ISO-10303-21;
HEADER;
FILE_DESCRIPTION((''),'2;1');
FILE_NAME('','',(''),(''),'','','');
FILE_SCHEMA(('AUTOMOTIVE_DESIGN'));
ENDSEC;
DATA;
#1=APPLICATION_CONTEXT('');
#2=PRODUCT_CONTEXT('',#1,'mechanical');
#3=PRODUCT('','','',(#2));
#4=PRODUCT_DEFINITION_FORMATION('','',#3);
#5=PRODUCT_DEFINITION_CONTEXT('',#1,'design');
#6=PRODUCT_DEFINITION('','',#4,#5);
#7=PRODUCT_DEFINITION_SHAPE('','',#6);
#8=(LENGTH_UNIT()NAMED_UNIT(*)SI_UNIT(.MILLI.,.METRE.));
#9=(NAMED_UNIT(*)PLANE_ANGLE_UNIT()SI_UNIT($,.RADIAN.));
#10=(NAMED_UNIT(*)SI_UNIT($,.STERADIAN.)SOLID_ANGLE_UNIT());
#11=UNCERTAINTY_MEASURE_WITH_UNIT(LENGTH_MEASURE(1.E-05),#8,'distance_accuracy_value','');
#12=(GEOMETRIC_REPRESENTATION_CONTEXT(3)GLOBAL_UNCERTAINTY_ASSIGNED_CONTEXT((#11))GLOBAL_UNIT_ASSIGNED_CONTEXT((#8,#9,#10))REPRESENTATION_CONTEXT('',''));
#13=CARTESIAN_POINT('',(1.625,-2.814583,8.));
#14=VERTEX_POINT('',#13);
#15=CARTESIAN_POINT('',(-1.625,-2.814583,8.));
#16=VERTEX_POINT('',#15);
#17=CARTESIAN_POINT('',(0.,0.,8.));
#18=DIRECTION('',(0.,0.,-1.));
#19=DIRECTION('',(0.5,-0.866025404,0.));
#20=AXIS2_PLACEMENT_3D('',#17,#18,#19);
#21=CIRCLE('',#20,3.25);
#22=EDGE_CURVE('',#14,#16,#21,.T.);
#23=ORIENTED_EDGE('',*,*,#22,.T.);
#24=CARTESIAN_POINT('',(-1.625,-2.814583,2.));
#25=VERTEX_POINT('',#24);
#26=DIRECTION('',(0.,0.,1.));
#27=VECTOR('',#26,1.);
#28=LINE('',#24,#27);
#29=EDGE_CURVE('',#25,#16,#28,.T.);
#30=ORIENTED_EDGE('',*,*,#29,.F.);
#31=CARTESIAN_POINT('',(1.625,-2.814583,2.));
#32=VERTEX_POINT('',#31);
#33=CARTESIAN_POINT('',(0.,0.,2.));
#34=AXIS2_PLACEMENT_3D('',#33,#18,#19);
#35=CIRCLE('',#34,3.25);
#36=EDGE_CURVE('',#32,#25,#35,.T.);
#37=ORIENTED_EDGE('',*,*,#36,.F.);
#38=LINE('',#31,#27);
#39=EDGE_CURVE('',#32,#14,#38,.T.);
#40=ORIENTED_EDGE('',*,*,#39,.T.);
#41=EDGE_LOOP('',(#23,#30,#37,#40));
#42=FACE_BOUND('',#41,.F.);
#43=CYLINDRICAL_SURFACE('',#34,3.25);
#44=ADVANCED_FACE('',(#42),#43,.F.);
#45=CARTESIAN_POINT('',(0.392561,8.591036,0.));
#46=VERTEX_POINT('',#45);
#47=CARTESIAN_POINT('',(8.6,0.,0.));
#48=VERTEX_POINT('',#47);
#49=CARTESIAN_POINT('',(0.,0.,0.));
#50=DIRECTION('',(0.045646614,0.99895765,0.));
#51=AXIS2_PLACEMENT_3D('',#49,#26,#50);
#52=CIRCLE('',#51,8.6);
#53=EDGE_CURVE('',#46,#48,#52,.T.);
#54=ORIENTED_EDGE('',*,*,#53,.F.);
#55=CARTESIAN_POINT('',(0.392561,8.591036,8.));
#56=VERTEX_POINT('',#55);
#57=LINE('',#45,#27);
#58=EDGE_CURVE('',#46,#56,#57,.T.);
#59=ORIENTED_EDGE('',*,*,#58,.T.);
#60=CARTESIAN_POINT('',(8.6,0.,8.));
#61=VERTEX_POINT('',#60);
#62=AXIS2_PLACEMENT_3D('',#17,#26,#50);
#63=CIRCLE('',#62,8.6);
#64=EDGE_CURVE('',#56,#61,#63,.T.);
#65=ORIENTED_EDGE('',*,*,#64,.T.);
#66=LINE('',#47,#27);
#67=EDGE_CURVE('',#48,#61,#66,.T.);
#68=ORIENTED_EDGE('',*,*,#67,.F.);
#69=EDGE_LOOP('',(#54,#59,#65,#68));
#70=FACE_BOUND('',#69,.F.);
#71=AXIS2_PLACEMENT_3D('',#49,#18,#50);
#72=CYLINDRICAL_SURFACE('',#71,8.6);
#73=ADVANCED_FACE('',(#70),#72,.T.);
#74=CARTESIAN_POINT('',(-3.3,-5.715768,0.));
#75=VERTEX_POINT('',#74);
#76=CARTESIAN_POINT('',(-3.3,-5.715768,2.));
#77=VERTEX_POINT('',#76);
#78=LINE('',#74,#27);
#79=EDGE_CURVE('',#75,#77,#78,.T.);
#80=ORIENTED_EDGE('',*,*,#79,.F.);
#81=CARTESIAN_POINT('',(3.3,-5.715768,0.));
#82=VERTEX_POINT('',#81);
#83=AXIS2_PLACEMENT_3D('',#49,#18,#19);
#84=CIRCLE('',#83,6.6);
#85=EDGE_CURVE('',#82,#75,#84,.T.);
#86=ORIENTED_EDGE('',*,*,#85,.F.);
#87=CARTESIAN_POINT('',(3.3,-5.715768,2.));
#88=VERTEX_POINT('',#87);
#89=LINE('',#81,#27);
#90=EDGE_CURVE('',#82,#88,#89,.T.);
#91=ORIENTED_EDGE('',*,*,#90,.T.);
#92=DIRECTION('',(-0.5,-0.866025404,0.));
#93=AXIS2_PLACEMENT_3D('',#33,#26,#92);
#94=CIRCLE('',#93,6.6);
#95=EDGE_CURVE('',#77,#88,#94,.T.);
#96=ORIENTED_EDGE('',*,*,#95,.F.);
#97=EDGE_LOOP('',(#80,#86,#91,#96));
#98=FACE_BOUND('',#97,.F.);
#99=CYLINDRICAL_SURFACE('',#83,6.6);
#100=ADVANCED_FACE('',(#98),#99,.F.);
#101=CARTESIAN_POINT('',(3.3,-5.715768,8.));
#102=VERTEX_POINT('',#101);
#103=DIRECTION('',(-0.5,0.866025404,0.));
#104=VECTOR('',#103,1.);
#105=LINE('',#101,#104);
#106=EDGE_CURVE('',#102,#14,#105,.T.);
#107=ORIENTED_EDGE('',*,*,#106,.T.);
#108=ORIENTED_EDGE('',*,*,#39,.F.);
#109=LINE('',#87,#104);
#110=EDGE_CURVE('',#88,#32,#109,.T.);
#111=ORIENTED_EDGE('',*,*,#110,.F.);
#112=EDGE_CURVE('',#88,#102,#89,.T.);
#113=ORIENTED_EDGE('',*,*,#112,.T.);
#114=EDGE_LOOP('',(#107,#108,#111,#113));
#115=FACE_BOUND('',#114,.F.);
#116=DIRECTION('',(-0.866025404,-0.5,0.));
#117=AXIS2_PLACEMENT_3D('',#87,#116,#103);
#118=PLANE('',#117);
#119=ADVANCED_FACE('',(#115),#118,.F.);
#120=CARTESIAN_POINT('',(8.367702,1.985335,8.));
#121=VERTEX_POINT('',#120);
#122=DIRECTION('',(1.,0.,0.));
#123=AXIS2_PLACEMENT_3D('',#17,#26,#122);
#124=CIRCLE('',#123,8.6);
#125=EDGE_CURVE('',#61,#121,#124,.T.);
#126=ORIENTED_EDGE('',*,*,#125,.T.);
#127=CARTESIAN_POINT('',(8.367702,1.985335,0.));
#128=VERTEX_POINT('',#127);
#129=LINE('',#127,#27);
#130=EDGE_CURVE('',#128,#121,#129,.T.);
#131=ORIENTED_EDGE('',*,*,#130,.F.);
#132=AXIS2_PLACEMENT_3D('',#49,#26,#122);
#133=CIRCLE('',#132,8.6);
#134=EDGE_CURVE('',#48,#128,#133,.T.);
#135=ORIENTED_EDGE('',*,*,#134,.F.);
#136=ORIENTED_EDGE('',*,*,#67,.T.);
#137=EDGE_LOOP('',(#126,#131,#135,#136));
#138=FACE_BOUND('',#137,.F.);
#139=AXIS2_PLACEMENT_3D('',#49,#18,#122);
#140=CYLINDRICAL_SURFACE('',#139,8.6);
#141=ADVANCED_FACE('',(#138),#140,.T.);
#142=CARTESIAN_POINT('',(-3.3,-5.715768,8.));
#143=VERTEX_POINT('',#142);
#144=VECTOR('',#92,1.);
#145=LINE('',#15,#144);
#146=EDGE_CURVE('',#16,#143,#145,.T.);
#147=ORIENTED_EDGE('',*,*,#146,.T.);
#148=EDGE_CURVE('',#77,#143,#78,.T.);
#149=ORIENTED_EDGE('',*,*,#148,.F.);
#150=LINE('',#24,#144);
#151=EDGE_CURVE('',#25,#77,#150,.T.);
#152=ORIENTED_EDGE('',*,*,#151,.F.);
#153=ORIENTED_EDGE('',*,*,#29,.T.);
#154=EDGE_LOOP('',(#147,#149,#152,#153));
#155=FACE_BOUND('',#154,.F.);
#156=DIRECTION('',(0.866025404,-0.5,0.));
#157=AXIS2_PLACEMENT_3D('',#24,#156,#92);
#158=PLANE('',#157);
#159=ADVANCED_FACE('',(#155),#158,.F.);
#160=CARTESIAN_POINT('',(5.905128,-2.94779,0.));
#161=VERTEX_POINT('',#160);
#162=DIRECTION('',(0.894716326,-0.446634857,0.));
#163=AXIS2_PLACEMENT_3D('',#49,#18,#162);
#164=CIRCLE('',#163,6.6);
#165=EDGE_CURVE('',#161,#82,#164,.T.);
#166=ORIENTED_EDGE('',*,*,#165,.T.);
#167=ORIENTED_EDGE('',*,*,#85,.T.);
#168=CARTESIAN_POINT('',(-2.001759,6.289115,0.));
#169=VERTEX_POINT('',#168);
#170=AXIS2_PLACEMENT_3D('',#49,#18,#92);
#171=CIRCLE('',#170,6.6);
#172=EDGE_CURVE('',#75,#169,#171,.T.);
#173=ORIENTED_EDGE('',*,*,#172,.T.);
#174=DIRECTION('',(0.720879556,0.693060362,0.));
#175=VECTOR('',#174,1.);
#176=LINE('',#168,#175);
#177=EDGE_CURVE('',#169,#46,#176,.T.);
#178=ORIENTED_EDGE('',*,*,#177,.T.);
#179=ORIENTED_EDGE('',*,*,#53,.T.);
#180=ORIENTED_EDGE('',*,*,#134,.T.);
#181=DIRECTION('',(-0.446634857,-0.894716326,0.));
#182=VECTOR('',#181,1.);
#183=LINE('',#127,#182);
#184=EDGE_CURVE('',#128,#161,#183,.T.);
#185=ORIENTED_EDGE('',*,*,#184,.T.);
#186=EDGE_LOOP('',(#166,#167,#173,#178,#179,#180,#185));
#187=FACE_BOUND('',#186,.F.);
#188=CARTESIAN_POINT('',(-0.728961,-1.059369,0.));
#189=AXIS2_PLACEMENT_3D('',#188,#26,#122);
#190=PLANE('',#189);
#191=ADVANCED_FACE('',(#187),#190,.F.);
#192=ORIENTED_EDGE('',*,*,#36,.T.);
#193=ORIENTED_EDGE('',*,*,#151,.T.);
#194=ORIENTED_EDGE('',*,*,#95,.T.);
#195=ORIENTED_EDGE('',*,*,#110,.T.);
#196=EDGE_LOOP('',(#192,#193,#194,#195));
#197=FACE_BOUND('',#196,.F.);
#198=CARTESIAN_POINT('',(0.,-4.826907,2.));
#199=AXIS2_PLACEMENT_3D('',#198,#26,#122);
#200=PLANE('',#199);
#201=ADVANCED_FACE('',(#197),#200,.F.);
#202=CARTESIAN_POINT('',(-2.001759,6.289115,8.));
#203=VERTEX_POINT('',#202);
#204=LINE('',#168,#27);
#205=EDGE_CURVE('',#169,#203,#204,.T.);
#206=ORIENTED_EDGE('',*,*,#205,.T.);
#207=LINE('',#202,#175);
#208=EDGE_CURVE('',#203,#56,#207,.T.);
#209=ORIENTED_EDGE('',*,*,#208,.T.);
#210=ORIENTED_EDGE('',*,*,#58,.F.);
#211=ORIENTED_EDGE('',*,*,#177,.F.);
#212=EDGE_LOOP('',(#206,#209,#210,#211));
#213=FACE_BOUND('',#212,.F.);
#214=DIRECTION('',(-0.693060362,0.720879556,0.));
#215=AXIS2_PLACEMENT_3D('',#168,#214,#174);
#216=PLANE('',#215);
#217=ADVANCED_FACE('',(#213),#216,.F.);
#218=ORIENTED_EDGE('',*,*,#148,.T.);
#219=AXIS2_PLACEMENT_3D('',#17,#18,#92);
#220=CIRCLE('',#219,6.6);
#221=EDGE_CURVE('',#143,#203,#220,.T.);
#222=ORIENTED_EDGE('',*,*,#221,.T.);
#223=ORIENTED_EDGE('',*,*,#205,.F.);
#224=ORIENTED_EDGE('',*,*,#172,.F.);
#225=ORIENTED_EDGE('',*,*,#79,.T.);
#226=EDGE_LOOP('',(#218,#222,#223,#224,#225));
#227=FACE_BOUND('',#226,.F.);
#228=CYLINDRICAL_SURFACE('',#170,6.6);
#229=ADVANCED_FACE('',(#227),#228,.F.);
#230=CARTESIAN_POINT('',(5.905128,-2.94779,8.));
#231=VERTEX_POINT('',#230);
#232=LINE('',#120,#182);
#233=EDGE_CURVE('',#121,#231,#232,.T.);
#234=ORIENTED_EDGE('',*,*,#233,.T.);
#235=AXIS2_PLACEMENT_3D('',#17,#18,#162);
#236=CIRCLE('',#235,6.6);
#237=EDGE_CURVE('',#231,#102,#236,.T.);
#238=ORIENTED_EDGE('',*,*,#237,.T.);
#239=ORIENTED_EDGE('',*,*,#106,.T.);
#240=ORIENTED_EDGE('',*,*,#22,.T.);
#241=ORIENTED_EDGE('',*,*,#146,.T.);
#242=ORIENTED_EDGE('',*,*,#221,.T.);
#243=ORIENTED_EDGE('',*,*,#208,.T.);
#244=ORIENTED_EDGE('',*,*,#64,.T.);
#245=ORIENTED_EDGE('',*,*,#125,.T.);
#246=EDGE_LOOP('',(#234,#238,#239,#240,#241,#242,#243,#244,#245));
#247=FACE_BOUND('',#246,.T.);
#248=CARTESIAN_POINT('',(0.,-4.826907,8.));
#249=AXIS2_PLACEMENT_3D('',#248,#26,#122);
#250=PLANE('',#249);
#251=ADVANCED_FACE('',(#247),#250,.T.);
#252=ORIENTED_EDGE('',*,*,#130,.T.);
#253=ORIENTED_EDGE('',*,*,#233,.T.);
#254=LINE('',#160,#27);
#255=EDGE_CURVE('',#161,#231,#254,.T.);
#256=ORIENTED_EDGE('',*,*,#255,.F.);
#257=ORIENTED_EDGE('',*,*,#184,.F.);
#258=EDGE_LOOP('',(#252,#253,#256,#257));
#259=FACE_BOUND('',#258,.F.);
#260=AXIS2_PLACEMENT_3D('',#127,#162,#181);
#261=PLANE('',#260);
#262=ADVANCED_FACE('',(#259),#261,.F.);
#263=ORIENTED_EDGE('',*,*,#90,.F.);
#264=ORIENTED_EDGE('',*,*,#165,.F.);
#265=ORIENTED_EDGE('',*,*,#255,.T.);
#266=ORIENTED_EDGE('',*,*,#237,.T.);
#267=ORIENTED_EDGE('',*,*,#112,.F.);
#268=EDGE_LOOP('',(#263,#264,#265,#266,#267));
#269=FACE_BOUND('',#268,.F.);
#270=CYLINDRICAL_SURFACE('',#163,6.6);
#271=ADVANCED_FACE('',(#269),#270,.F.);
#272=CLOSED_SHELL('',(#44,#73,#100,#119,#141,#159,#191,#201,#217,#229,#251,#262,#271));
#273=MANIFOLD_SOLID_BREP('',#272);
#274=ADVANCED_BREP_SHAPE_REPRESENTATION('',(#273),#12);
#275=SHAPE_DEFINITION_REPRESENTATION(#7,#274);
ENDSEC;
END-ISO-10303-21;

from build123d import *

# Parameters (mm, degrees)
F1_DEPTH = 8
F2_START = 2
F2_DEPTH = 6


with BuildPart() as f1:
    # F0 (on Top) → F1 (new body)
    with BuildSketch(Plane.XY):
        with BuildLine():
            ThreePointArc((-3.3, -5.715767665), (-6.5617421952, 0.7096050761), (-2.0017585965, 6.2891146055))
            Line((-2.0017585965, 6.2891146055), (0.3925608787, 8.5910357907))
            ThreePointArc((0.3925608787, 8.5910357907), (-6.2183608594, -5.9407060373), (8.6, 0))
            ThreePointArc((8.6, 0), (8.5417281837, 0.9994396606), (8.3677024104, 1.9853353294))
            Line((8.3677024104, 1.9853353294), (5.9051277539, -2.9477900553))
            ThreePointArc((5.9051277539, -2.9477900553), (4.8061439069, -4.523381561), (3.3, -5.715767665))
            ThreePointArc((3.3, -5.715767665), (0, -6.6), (-3.3, -5.715767665))
        make_face()
    extrude(amount=F1_DEPTH)

    # F0 (on Top) → F2 (join)
    with BuildSketch(Plane.XY.offset(F2_START)):
        with BuildLine():
            Line((-1.625, -2.8145825623), (-3.3, -5.715767665))
            ThreePointArc((-3.3, -5.715767665), (0, -6.6), (3.3, -5.715767665))
            Line((3.3, -5.715767665), (1.625, -2.8145825623))
            ThreePointArc((1.625, -2.8145825623), (0, -3.25), (-1.625, -2.8145825623))
        make_face()
    extrude(amount=F2_DEPTH)


solid = f1.part
